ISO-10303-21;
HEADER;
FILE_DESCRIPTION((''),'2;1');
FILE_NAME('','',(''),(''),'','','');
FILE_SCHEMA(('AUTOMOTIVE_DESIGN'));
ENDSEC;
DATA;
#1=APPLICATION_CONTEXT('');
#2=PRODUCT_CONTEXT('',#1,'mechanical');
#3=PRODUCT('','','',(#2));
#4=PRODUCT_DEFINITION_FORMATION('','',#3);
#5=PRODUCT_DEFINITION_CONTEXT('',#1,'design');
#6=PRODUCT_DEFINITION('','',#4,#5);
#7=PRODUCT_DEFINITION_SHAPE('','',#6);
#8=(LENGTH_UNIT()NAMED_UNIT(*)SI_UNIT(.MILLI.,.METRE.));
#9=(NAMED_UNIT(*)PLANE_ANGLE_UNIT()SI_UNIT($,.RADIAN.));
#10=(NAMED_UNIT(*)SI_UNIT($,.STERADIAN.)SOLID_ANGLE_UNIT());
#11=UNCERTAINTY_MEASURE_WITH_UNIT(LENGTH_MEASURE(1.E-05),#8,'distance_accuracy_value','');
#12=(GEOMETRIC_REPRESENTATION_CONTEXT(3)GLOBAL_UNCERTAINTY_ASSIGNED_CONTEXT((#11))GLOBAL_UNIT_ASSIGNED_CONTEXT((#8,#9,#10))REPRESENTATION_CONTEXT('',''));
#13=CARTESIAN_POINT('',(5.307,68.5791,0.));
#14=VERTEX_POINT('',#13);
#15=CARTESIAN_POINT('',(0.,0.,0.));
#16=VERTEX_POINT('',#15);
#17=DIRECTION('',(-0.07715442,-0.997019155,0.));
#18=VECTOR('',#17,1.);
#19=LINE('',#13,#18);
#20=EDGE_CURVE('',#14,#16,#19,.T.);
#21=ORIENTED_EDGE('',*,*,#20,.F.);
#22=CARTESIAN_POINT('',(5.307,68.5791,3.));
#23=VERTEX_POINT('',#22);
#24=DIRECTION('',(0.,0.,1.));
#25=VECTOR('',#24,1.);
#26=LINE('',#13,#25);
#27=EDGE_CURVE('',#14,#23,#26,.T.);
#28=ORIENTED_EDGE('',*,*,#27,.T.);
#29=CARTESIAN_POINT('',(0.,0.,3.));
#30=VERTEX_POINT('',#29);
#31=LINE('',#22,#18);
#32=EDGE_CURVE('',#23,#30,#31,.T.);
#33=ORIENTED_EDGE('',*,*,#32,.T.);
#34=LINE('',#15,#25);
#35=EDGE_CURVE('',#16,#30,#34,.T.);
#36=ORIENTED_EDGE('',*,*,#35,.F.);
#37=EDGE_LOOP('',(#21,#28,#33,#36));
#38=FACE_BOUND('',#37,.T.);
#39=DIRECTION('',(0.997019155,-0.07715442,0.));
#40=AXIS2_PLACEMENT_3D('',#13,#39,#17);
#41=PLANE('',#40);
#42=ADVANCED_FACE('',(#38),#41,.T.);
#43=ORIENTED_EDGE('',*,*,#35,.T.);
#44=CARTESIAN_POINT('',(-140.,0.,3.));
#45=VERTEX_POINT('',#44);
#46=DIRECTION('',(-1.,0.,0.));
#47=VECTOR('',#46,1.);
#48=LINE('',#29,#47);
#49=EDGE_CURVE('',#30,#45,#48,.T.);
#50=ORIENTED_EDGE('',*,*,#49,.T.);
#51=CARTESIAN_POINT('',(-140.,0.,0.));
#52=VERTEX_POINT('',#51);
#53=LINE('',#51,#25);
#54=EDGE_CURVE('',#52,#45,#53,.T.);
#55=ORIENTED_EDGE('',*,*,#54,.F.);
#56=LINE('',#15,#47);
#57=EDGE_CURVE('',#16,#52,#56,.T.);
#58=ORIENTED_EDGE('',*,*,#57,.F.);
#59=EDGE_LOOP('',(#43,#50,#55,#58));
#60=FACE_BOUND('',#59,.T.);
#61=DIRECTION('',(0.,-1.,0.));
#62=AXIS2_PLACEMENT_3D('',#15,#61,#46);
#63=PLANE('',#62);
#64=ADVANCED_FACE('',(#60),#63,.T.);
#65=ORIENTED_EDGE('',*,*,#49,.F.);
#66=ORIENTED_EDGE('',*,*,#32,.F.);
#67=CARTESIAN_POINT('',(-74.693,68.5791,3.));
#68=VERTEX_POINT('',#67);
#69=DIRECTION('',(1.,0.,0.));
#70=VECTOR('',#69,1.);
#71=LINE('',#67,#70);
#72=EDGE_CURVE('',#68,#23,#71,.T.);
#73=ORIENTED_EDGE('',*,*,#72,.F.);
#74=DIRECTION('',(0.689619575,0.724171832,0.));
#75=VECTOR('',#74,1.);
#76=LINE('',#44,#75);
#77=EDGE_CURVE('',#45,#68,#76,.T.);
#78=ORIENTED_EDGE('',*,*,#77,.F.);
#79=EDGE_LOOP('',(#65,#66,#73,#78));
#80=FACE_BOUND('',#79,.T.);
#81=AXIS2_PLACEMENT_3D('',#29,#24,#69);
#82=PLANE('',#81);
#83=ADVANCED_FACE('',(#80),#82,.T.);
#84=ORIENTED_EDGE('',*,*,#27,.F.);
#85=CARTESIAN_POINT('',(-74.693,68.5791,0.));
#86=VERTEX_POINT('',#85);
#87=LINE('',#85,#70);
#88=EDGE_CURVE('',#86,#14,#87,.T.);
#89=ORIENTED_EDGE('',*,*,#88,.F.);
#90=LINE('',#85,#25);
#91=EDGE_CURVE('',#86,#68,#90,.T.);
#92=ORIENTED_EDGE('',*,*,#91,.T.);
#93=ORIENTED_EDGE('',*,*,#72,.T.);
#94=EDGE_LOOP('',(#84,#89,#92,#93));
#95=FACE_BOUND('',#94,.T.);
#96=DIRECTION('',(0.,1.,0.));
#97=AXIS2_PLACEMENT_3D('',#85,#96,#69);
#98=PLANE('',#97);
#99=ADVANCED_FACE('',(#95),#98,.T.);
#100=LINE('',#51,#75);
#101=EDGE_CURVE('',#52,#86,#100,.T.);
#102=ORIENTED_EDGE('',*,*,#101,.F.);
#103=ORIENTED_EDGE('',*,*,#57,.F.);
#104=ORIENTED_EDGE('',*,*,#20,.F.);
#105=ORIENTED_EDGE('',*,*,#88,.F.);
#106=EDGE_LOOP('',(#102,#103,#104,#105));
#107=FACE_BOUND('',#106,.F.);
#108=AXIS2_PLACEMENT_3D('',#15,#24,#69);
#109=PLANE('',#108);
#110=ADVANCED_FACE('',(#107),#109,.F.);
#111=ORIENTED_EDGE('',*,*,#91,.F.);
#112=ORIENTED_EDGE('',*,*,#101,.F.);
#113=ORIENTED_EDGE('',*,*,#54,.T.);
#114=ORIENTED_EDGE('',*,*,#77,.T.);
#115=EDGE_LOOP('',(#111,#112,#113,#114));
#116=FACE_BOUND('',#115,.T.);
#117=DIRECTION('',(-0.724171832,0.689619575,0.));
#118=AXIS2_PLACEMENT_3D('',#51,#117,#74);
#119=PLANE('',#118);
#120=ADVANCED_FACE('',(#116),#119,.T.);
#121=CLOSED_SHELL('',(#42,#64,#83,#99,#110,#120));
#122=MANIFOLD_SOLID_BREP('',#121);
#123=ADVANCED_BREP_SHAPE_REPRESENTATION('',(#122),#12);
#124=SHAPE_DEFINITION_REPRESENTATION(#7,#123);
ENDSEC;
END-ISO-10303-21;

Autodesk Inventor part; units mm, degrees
ref_plane "YZ Plane" through (0, 0, 0) normal (1, 0, 0) x (0, 1, 0)
ref_plane "XZ Plane" through (0, 0, 0) normal (0, 1, 0) x (-1, 0, 0)
ref_plane "XY Plane" through (0, 0, 0) normal (0, 0, 1) x (1, 0, 0)
sketch "Sketch1" plane through (0, 0, 0) normal (0, 0, 1) x (1, 0, 0)
  line L0 (0, 0) -> (-140, 0)
  line L1 (-140, 0) -> (-74.693, 68.5791)
  line L2 (-74.693, 68.5791) -> (5.307, 68.5791)
  line L3 (5.307, 68.5791) -> (0, 0)
  dimension "d0" = 140
  dimension "d1" = 94.7
  dimension "d2" = 46.4
  dimension "d3" = 80
extrude "Extrusion1" add sketch "Sketch1" along normal blind 3
properties part number "Tail Fin" material "FibreGlass"
